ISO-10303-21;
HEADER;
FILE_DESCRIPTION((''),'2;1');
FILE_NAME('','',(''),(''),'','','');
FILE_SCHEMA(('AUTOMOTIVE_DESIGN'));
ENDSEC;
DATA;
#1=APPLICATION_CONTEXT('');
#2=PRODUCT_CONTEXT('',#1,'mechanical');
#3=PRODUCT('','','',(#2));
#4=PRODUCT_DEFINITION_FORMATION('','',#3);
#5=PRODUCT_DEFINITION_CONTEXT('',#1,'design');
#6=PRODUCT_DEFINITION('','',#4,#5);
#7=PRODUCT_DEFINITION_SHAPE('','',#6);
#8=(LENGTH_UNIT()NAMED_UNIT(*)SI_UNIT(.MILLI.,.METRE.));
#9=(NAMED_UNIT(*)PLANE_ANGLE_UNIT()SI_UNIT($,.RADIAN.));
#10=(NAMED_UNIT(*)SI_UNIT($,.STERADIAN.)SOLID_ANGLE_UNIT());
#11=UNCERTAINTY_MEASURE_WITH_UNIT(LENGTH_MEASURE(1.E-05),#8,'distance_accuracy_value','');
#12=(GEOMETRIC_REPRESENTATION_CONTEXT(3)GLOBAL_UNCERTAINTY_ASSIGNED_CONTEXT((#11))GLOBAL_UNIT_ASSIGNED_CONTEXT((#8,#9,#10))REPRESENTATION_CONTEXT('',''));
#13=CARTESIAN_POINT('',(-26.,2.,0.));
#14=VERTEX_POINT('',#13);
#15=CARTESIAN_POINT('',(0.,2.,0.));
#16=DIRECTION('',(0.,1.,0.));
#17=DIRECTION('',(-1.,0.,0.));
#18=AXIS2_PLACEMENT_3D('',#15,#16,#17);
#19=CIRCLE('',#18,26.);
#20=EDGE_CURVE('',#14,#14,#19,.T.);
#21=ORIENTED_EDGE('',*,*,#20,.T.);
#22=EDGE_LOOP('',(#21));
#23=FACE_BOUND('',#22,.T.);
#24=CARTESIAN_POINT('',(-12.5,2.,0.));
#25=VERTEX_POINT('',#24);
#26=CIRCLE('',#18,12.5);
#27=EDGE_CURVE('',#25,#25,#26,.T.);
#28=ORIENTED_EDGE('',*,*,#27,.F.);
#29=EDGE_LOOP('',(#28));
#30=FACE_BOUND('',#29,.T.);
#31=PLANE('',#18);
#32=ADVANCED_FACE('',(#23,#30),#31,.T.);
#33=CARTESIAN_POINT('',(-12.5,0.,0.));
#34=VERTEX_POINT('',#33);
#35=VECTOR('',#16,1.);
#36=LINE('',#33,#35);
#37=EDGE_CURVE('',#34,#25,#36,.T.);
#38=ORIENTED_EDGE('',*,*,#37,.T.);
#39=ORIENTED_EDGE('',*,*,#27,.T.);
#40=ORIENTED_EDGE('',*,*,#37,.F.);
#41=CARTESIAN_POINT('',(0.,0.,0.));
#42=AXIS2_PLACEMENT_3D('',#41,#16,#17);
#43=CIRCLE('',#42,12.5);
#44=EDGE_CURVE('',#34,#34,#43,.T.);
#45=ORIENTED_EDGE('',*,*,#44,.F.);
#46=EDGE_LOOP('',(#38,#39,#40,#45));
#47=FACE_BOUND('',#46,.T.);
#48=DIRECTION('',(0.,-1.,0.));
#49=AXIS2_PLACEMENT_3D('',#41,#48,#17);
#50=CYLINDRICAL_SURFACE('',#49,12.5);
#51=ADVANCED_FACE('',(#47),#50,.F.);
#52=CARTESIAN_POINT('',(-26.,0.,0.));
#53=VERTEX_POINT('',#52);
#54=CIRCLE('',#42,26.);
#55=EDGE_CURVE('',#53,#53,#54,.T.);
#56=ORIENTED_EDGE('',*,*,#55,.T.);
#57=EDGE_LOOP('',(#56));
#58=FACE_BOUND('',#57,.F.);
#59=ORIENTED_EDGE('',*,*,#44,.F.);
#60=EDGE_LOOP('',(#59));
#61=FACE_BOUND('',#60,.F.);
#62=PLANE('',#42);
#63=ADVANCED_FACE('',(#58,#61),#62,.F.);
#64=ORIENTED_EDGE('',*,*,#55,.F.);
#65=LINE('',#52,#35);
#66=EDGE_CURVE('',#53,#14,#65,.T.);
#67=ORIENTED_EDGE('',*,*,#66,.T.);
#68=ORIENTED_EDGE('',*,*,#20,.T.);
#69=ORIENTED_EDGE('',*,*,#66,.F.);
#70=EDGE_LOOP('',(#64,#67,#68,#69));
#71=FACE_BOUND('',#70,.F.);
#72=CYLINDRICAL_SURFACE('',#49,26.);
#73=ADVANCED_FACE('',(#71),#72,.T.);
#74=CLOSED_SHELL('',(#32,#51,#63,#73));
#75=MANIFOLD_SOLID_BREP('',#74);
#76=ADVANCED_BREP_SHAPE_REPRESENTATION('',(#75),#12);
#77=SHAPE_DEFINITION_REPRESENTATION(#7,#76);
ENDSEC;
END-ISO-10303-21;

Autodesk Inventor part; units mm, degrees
ref_plane "YZ Plane" through (0, 0, 0) normal (1, 0, 0) x (0, 1, 0)
ref_plane "XZ Plane" through (0, 0, 0) normal (0, 1, 0) x (-1, 0, 0)
ref_plane "XY Plane" through (0, 0, 0) normal (0, 0, 1) x (1, 0, 0)
sketch "Эскиз1" plane through (0, 0, 0) normal (0, 1, 0) x (-1, 0, 0)
  circle A0 centre (0, 0) radius 12.5
  circle A1 centre (0, 0) radius 26
  dimension "d0" = 25
  dimension "d1" = 52
extrude "Выдавливание1" add sketch "Эскиз1" along normal blind 2
properties part number "мини_проставка"
